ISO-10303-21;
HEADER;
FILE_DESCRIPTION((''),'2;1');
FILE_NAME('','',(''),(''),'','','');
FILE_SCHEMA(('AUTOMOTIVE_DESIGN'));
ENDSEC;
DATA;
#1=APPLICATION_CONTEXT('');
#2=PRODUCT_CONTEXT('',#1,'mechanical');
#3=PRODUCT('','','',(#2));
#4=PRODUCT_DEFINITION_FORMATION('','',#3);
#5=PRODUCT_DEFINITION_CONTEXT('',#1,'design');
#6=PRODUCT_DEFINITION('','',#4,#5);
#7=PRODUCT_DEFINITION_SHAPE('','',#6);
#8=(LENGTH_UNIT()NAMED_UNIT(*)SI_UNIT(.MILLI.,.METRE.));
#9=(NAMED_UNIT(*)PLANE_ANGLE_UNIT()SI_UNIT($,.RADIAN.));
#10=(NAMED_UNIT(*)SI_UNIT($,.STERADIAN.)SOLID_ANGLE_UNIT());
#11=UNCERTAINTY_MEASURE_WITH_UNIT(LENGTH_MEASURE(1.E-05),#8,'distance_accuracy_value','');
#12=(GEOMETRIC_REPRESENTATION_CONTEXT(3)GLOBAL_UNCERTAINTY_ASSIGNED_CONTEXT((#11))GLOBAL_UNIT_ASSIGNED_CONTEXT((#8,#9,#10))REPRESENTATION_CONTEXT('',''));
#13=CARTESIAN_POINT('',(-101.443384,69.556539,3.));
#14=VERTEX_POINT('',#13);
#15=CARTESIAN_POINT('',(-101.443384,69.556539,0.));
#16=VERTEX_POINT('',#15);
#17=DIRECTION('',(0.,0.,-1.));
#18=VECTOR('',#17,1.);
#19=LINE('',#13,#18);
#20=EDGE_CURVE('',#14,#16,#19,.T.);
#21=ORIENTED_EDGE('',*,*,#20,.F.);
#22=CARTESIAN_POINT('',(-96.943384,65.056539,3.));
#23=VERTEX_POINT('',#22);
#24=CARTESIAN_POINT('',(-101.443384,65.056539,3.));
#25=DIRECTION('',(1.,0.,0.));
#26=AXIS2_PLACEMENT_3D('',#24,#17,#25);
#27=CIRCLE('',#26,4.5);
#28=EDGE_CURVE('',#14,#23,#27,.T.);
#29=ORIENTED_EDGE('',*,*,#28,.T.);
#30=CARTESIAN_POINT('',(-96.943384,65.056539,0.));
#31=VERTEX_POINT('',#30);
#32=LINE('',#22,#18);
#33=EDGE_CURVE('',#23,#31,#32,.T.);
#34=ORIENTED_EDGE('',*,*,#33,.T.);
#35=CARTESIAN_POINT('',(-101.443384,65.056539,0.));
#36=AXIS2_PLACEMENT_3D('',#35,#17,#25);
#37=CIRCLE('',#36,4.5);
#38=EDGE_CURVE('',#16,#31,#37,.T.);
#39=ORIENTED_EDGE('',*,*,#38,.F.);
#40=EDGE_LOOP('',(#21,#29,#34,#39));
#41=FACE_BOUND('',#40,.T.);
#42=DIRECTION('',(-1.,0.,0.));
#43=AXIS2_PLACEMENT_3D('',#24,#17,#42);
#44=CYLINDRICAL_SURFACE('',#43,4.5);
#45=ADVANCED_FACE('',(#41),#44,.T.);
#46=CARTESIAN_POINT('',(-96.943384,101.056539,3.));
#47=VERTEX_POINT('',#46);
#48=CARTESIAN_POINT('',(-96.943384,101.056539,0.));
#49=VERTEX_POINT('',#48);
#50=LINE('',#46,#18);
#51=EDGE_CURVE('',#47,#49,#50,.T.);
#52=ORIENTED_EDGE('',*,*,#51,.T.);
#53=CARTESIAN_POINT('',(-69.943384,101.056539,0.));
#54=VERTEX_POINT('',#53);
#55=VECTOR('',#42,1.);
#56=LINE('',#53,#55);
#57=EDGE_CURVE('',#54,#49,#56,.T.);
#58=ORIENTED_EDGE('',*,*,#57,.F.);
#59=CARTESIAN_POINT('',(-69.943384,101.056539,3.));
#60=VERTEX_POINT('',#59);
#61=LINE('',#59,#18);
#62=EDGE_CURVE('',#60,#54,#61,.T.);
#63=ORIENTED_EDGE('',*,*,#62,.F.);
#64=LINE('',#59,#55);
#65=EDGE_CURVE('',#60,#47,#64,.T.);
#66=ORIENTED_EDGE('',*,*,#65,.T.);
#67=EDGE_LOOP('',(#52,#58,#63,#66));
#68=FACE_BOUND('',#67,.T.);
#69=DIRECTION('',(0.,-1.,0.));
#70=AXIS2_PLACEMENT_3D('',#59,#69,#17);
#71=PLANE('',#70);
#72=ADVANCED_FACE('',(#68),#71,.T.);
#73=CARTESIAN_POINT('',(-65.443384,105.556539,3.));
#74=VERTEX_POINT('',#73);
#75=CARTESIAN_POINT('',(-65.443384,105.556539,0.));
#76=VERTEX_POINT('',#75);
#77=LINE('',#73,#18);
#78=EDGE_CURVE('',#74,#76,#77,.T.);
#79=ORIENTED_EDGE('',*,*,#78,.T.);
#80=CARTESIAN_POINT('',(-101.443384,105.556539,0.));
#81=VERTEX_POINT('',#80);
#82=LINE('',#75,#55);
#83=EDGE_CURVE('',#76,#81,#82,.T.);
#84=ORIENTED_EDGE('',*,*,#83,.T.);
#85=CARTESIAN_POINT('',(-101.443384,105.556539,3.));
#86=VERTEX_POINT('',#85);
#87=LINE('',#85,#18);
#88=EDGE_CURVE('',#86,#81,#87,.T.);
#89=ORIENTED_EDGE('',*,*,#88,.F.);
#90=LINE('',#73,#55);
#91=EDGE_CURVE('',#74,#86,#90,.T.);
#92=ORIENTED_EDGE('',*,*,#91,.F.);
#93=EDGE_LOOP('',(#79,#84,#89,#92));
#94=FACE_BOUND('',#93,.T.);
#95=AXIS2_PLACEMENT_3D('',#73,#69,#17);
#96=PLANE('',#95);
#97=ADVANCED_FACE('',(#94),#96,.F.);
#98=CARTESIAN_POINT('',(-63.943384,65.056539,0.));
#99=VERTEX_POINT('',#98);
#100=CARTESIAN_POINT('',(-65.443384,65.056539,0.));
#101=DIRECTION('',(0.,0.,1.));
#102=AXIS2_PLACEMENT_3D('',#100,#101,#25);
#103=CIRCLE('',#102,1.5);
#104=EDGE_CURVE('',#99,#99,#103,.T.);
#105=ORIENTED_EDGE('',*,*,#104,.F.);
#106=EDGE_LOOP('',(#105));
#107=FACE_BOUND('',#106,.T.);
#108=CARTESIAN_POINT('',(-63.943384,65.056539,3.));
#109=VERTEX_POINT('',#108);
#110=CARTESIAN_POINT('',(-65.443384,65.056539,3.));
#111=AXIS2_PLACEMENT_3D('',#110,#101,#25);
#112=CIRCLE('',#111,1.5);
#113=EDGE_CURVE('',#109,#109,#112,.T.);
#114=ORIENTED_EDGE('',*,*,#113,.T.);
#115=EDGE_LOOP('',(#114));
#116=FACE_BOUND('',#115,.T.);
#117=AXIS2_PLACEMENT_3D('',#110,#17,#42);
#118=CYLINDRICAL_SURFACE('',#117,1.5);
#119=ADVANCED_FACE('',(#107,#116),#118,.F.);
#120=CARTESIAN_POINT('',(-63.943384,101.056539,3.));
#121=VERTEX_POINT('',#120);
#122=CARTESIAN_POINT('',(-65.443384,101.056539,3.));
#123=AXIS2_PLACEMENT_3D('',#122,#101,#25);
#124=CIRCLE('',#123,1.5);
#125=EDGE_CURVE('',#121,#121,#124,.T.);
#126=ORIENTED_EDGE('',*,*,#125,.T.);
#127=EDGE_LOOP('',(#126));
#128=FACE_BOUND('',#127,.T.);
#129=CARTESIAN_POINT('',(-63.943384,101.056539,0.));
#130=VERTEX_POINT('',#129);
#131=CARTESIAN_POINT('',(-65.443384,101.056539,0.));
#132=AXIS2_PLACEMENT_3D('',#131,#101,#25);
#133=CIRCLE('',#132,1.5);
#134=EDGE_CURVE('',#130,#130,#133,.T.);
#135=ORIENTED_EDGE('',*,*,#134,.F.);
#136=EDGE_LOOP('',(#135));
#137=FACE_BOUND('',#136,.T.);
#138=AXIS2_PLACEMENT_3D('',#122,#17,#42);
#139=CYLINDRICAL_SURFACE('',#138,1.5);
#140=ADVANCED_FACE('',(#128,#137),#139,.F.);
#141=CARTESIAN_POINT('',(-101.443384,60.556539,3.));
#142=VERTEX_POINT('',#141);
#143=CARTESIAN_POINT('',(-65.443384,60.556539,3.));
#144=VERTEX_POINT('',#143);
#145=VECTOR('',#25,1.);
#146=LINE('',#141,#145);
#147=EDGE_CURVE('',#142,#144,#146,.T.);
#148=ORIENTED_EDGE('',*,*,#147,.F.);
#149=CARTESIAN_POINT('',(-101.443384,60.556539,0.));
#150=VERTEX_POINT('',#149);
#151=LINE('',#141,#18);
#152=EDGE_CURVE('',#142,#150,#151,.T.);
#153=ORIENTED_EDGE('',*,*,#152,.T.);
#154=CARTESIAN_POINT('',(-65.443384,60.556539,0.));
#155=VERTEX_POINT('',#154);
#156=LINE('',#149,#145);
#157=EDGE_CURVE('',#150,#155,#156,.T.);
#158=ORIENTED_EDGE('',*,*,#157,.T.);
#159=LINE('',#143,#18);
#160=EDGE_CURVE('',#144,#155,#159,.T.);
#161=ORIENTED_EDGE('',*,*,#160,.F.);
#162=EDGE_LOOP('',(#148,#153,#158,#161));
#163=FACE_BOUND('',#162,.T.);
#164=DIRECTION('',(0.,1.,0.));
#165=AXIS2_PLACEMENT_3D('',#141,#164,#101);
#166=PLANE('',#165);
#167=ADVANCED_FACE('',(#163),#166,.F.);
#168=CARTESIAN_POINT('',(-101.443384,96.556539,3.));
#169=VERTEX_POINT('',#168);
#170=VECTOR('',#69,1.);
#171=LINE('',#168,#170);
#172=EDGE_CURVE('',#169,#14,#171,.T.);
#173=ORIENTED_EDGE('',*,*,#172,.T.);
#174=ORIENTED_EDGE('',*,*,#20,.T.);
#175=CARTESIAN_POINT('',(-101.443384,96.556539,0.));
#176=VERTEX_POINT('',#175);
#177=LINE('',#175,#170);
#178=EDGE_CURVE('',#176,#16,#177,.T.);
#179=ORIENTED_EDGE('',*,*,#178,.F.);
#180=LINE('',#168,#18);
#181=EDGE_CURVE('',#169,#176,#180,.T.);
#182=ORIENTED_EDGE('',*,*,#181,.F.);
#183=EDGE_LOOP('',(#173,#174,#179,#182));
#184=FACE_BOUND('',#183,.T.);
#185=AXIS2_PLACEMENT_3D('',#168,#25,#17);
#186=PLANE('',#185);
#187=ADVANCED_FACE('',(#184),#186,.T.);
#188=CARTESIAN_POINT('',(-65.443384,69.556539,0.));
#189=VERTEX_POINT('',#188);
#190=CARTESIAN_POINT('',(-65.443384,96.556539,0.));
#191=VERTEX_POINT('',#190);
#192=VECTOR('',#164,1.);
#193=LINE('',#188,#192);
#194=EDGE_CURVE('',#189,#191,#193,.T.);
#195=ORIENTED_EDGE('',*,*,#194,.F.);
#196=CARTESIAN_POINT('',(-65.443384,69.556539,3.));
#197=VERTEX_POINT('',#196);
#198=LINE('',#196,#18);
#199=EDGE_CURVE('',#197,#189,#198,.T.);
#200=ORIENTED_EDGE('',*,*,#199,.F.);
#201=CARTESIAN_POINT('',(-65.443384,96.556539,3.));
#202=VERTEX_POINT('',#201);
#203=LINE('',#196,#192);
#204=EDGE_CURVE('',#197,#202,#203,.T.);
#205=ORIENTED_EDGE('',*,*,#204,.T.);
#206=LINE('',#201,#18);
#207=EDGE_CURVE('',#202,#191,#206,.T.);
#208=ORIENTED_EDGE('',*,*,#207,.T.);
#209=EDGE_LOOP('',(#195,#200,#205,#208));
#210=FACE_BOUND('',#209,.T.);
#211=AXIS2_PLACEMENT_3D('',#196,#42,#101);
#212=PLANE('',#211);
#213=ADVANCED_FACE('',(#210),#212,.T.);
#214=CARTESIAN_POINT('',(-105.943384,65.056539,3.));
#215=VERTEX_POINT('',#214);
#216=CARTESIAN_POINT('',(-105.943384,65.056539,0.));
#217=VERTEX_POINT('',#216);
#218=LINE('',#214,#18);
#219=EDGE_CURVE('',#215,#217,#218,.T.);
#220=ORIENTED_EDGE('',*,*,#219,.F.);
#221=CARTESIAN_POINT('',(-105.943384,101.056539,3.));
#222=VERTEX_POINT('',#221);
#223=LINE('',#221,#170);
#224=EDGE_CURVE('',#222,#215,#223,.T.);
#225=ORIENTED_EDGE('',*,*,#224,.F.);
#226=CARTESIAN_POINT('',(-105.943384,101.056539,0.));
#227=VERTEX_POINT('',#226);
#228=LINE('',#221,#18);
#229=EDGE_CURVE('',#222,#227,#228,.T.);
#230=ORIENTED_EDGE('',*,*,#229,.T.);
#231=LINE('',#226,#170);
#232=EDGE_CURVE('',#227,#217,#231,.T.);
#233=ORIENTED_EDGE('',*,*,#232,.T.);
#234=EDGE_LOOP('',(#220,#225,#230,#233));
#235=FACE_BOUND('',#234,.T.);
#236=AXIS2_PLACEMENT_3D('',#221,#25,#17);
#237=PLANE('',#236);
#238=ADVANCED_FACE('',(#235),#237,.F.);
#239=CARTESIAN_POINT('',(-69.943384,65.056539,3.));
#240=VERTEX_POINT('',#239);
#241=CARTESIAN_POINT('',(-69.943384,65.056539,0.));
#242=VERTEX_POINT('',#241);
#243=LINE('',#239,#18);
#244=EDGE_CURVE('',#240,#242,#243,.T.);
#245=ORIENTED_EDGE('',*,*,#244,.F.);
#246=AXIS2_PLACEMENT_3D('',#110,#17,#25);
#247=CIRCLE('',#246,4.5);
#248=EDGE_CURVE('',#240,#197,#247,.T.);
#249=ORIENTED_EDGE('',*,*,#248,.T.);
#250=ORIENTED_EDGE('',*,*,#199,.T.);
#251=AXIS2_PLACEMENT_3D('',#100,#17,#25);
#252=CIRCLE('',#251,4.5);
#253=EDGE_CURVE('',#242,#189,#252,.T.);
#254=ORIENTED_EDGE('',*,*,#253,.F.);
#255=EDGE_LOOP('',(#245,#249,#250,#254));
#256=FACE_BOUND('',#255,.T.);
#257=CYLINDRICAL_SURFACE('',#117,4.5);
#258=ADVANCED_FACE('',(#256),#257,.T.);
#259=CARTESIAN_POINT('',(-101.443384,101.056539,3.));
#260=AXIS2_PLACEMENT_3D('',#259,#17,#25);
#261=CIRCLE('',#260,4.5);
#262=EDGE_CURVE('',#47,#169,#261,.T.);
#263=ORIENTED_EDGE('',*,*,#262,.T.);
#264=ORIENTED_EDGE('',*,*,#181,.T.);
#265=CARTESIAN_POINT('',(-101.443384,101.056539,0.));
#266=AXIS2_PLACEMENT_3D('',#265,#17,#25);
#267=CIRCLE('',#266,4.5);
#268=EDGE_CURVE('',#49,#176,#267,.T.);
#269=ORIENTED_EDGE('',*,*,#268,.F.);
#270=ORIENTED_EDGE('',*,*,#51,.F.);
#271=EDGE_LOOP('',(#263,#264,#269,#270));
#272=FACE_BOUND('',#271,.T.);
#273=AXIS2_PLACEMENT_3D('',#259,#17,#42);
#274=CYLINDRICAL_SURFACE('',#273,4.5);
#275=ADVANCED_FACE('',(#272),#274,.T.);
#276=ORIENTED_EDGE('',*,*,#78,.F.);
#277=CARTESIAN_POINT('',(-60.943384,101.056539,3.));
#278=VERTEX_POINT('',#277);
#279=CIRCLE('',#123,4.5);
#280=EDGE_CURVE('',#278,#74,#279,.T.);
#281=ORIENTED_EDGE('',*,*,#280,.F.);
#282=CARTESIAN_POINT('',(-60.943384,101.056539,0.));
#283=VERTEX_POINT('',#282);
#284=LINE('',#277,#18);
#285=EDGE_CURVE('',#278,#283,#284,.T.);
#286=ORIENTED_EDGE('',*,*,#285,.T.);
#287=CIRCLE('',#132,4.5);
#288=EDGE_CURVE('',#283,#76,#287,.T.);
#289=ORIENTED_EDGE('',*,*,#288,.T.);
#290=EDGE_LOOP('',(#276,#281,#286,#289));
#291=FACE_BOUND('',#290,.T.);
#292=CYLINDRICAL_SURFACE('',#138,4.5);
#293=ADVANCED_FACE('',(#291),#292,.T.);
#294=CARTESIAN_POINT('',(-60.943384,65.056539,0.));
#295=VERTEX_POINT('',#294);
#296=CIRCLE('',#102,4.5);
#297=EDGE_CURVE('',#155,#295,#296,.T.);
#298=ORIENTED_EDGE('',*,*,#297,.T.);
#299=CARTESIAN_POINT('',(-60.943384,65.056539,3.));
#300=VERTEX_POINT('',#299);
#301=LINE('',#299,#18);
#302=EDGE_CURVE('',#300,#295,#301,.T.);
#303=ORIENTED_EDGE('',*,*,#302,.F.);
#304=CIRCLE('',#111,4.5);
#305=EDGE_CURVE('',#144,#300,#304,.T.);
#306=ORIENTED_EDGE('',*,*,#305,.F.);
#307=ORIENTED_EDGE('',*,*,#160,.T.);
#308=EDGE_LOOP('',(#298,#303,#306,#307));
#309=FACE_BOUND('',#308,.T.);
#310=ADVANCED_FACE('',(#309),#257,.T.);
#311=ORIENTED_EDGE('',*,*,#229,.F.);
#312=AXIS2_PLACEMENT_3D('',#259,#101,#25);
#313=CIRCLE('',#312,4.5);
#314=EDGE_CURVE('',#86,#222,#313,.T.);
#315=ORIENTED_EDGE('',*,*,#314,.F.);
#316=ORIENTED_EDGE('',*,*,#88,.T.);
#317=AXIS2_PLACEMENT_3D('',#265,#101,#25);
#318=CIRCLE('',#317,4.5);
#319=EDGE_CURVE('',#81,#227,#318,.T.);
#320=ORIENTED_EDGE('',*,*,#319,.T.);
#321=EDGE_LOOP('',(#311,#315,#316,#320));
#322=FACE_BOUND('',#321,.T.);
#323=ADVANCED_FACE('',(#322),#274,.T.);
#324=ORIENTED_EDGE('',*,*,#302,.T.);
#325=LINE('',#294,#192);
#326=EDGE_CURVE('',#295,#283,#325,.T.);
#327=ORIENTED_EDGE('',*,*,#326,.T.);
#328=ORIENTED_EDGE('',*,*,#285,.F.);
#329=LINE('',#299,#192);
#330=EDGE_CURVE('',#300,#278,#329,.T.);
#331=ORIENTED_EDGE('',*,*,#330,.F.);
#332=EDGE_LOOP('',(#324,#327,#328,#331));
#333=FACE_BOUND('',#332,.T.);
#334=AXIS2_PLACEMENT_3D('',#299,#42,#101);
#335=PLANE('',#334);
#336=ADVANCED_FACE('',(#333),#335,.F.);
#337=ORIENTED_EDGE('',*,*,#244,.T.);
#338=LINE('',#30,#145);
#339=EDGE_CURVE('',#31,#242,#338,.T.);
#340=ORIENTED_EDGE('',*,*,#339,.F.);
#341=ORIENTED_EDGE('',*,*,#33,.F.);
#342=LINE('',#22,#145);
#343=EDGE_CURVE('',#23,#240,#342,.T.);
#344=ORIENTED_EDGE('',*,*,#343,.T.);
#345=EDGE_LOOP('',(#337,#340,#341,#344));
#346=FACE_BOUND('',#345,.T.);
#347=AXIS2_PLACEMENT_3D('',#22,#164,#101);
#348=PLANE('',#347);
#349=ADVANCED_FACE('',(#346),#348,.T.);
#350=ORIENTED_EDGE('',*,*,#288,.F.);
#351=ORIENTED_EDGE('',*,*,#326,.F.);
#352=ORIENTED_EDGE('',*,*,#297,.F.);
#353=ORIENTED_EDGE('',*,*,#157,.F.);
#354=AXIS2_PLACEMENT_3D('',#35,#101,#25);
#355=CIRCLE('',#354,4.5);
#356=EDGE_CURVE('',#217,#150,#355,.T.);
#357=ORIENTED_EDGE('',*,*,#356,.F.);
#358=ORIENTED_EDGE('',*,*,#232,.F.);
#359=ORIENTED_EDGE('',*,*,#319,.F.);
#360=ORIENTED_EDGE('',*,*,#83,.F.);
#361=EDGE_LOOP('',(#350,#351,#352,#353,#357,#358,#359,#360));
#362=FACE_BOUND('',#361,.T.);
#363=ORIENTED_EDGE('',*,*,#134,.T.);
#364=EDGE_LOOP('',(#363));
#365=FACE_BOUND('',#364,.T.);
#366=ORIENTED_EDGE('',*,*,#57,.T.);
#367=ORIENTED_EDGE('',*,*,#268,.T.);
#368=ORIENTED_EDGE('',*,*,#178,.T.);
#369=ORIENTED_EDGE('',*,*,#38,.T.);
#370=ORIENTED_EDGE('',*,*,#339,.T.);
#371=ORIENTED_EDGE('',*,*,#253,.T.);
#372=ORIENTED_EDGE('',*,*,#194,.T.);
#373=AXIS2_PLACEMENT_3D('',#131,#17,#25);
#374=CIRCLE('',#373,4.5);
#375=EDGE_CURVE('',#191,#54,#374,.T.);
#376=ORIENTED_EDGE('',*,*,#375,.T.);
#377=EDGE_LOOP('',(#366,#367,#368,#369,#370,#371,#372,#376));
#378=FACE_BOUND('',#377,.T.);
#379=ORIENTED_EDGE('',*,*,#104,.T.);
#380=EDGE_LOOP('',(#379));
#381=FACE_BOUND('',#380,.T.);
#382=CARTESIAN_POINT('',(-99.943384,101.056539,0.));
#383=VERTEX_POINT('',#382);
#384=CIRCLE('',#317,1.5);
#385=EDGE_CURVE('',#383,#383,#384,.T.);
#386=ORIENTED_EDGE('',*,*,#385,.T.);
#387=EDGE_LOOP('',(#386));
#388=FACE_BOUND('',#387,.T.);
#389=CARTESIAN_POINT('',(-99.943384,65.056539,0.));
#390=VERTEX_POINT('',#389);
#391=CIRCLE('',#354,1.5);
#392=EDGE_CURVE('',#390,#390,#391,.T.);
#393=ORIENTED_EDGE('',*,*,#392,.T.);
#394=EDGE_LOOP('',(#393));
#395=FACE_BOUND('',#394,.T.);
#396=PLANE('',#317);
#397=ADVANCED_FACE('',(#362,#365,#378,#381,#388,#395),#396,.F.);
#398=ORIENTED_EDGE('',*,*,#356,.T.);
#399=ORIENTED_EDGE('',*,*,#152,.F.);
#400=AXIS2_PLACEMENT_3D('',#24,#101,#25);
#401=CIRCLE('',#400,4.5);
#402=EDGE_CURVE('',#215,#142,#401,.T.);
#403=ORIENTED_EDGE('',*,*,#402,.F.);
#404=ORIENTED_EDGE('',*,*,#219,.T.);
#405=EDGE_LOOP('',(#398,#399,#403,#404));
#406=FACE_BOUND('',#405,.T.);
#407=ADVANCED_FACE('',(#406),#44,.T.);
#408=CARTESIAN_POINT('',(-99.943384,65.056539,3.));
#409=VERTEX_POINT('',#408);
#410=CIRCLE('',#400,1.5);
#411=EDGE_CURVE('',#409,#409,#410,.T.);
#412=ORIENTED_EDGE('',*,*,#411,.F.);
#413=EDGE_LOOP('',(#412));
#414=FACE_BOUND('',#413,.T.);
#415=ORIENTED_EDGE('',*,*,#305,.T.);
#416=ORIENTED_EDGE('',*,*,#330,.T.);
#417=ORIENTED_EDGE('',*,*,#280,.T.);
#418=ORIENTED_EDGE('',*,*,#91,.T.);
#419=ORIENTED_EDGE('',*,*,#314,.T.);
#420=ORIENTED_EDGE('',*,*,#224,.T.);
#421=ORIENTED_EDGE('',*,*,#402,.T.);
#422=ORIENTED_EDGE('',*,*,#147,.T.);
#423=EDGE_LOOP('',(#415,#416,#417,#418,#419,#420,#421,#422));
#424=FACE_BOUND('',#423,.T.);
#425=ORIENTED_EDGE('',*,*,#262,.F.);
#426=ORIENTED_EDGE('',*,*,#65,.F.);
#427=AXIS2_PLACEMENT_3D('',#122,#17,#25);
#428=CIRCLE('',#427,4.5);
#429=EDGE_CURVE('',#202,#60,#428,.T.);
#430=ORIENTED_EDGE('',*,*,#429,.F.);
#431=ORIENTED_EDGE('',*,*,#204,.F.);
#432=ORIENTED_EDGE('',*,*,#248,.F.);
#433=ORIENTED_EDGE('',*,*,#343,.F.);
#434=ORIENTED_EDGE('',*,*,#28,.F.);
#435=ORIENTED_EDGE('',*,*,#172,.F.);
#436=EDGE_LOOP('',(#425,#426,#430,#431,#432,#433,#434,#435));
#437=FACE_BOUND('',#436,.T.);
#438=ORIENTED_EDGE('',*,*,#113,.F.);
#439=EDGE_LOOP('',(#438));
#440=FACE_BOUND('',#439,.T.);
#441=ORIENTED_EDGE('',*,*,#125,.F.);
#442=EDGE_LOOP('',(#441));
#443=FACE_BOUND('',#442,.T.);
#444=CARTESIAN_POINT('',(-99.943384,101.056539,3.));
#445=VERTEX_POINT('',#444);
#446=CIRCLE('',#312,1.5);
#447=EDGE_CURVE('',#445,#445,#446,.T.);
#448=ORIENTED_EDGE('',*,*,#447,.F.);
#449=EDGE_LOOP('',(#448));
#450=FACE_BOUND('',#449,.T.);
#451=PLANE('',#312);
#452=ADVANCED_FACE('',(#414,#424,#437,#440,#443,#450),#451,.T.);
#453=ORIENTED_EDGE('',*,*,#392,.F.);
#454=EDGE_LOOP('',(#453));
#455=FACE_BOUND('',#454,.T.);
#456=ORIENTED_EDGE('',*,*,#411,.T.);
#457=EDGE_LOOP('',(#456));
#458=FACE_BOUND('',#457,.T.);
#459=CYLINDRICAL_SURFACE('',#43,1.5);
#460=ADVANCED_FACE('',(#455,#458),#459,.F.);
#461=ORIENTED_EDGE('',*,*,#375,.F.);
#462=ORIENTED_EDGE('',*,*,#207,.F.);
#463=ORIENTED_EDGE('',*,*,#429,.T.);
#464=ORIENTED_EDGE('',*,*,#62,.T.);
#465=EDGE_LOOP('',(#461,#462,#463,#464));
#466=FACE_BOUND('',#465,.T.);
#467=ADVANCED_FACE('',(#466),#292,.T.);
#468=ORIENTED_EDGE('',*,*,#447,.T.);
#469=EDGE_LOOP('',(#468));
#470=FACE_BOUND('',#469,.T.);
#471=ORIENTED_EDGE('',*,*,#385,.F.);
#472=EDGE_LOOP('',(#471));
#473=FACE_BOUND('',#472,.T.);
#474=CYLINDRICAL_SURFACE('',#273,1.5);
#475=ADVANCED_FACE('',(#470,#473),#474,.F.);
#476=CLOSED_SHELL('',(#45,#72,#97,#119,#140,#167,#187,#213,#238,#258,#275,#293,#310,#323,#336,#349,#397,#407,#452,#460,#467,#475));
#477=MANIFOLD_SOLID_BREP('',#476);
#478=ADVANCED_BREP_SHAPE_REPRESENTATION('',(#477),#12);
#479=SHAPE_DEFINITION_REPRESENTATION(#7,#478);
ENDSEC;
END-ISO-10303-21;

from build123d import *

# Parameters (mm, degrees)
MODEL_R                 = 1.5
SALIENTE_EXTRUIR1_DEPTH = 3


with BuildPart() as part:
    # Model → Saliente-Extruir1 (new body)
    with BuildSketch(Plane.XY):
        with BuildLine():
            Line((-105.943383637, 101.056539338), (-105.943383637, 65.056539338))
            ThreePointArc((-105.943383637, 65.056539338), (-104.625364152, 61.874558823), (-101.443383637, 60.556539338))
            Line((-101.443383637, 60.556539338), (-65.443383637, 60.556539338))
            ThreePointArc((-65.443383637, 60.556539338), (-62.261403122, 61.874558823), (-60.943383637, 65.056539338))
            Line((-60.943383637, 65.056539338), (-60.943383637, 101.056539338))
            ThreePointArc((-60.943383637, 101.056539338), (-62.261403122, 104.238519853), (-65.443383637, 105.556539338))
            Line((-65.443383637, 105.556539338), (-101.443383637, 105.556539338))
            ThreePointArc((-101.443383637, 105.556539338), (-104.625364152, 104.238519853), (-105.943383637, 101.056539338))
        make_face()
        with Locations((-101.443383637, 101.056539338)):
            Circle(MODEL_R, mode=Mode.SUBTRACT)
        with Locations((-65.443383637, 101.056539338)):
            Circle(MODEL_R, mode=Mode.SUBTRACT)
        with Locations((-101.443383637, 65.056539338)):
            Circle(MODEL_R, mode=Mode.SUBTRACT)
        with Locations((-65.443383637, 65.056539338)):
            Circle(MODEL_R, mode=Mode.SUBTRACT)
        with BuildLine():
            Line((-101.443383637, 96.556539338), (-101.443383637, 69.556539338))
            ThreePointArc((-101.443383637, 69.556539338), (-98.261403122, 68.238519853), (-96.943383637, 65.056539338))
            Line((-96.943383637, 65.056539338), (-69.943383637, 65.056539338))
            ThreePointArc((-69.943383637, 65.056539338), (-68.625364152, 68.238519853), (-65.443383637, 69.556539338))
            Line((-65.443383637, 69.556539338), (-65.443383637, 96.556539338))
            ThreePointArc((-65.443383637, 96.556539338), (-68.625364152, 97.874558823), (-69.943383637, 101.056539338))
            Line((-69.943383637, 101.056539338), (-96.943383637, 101.056539338))
            ThreePointArc((-96.943383637, 101.056539338), (-98.261403122, 97.874558823), (-101.443383637, 96.556539338))
        make_face(mode=Mode.SUBTRACT)
    extrude(amount=SALIENTE_EXTRUIR1_DEPTH)


solid = part.part
